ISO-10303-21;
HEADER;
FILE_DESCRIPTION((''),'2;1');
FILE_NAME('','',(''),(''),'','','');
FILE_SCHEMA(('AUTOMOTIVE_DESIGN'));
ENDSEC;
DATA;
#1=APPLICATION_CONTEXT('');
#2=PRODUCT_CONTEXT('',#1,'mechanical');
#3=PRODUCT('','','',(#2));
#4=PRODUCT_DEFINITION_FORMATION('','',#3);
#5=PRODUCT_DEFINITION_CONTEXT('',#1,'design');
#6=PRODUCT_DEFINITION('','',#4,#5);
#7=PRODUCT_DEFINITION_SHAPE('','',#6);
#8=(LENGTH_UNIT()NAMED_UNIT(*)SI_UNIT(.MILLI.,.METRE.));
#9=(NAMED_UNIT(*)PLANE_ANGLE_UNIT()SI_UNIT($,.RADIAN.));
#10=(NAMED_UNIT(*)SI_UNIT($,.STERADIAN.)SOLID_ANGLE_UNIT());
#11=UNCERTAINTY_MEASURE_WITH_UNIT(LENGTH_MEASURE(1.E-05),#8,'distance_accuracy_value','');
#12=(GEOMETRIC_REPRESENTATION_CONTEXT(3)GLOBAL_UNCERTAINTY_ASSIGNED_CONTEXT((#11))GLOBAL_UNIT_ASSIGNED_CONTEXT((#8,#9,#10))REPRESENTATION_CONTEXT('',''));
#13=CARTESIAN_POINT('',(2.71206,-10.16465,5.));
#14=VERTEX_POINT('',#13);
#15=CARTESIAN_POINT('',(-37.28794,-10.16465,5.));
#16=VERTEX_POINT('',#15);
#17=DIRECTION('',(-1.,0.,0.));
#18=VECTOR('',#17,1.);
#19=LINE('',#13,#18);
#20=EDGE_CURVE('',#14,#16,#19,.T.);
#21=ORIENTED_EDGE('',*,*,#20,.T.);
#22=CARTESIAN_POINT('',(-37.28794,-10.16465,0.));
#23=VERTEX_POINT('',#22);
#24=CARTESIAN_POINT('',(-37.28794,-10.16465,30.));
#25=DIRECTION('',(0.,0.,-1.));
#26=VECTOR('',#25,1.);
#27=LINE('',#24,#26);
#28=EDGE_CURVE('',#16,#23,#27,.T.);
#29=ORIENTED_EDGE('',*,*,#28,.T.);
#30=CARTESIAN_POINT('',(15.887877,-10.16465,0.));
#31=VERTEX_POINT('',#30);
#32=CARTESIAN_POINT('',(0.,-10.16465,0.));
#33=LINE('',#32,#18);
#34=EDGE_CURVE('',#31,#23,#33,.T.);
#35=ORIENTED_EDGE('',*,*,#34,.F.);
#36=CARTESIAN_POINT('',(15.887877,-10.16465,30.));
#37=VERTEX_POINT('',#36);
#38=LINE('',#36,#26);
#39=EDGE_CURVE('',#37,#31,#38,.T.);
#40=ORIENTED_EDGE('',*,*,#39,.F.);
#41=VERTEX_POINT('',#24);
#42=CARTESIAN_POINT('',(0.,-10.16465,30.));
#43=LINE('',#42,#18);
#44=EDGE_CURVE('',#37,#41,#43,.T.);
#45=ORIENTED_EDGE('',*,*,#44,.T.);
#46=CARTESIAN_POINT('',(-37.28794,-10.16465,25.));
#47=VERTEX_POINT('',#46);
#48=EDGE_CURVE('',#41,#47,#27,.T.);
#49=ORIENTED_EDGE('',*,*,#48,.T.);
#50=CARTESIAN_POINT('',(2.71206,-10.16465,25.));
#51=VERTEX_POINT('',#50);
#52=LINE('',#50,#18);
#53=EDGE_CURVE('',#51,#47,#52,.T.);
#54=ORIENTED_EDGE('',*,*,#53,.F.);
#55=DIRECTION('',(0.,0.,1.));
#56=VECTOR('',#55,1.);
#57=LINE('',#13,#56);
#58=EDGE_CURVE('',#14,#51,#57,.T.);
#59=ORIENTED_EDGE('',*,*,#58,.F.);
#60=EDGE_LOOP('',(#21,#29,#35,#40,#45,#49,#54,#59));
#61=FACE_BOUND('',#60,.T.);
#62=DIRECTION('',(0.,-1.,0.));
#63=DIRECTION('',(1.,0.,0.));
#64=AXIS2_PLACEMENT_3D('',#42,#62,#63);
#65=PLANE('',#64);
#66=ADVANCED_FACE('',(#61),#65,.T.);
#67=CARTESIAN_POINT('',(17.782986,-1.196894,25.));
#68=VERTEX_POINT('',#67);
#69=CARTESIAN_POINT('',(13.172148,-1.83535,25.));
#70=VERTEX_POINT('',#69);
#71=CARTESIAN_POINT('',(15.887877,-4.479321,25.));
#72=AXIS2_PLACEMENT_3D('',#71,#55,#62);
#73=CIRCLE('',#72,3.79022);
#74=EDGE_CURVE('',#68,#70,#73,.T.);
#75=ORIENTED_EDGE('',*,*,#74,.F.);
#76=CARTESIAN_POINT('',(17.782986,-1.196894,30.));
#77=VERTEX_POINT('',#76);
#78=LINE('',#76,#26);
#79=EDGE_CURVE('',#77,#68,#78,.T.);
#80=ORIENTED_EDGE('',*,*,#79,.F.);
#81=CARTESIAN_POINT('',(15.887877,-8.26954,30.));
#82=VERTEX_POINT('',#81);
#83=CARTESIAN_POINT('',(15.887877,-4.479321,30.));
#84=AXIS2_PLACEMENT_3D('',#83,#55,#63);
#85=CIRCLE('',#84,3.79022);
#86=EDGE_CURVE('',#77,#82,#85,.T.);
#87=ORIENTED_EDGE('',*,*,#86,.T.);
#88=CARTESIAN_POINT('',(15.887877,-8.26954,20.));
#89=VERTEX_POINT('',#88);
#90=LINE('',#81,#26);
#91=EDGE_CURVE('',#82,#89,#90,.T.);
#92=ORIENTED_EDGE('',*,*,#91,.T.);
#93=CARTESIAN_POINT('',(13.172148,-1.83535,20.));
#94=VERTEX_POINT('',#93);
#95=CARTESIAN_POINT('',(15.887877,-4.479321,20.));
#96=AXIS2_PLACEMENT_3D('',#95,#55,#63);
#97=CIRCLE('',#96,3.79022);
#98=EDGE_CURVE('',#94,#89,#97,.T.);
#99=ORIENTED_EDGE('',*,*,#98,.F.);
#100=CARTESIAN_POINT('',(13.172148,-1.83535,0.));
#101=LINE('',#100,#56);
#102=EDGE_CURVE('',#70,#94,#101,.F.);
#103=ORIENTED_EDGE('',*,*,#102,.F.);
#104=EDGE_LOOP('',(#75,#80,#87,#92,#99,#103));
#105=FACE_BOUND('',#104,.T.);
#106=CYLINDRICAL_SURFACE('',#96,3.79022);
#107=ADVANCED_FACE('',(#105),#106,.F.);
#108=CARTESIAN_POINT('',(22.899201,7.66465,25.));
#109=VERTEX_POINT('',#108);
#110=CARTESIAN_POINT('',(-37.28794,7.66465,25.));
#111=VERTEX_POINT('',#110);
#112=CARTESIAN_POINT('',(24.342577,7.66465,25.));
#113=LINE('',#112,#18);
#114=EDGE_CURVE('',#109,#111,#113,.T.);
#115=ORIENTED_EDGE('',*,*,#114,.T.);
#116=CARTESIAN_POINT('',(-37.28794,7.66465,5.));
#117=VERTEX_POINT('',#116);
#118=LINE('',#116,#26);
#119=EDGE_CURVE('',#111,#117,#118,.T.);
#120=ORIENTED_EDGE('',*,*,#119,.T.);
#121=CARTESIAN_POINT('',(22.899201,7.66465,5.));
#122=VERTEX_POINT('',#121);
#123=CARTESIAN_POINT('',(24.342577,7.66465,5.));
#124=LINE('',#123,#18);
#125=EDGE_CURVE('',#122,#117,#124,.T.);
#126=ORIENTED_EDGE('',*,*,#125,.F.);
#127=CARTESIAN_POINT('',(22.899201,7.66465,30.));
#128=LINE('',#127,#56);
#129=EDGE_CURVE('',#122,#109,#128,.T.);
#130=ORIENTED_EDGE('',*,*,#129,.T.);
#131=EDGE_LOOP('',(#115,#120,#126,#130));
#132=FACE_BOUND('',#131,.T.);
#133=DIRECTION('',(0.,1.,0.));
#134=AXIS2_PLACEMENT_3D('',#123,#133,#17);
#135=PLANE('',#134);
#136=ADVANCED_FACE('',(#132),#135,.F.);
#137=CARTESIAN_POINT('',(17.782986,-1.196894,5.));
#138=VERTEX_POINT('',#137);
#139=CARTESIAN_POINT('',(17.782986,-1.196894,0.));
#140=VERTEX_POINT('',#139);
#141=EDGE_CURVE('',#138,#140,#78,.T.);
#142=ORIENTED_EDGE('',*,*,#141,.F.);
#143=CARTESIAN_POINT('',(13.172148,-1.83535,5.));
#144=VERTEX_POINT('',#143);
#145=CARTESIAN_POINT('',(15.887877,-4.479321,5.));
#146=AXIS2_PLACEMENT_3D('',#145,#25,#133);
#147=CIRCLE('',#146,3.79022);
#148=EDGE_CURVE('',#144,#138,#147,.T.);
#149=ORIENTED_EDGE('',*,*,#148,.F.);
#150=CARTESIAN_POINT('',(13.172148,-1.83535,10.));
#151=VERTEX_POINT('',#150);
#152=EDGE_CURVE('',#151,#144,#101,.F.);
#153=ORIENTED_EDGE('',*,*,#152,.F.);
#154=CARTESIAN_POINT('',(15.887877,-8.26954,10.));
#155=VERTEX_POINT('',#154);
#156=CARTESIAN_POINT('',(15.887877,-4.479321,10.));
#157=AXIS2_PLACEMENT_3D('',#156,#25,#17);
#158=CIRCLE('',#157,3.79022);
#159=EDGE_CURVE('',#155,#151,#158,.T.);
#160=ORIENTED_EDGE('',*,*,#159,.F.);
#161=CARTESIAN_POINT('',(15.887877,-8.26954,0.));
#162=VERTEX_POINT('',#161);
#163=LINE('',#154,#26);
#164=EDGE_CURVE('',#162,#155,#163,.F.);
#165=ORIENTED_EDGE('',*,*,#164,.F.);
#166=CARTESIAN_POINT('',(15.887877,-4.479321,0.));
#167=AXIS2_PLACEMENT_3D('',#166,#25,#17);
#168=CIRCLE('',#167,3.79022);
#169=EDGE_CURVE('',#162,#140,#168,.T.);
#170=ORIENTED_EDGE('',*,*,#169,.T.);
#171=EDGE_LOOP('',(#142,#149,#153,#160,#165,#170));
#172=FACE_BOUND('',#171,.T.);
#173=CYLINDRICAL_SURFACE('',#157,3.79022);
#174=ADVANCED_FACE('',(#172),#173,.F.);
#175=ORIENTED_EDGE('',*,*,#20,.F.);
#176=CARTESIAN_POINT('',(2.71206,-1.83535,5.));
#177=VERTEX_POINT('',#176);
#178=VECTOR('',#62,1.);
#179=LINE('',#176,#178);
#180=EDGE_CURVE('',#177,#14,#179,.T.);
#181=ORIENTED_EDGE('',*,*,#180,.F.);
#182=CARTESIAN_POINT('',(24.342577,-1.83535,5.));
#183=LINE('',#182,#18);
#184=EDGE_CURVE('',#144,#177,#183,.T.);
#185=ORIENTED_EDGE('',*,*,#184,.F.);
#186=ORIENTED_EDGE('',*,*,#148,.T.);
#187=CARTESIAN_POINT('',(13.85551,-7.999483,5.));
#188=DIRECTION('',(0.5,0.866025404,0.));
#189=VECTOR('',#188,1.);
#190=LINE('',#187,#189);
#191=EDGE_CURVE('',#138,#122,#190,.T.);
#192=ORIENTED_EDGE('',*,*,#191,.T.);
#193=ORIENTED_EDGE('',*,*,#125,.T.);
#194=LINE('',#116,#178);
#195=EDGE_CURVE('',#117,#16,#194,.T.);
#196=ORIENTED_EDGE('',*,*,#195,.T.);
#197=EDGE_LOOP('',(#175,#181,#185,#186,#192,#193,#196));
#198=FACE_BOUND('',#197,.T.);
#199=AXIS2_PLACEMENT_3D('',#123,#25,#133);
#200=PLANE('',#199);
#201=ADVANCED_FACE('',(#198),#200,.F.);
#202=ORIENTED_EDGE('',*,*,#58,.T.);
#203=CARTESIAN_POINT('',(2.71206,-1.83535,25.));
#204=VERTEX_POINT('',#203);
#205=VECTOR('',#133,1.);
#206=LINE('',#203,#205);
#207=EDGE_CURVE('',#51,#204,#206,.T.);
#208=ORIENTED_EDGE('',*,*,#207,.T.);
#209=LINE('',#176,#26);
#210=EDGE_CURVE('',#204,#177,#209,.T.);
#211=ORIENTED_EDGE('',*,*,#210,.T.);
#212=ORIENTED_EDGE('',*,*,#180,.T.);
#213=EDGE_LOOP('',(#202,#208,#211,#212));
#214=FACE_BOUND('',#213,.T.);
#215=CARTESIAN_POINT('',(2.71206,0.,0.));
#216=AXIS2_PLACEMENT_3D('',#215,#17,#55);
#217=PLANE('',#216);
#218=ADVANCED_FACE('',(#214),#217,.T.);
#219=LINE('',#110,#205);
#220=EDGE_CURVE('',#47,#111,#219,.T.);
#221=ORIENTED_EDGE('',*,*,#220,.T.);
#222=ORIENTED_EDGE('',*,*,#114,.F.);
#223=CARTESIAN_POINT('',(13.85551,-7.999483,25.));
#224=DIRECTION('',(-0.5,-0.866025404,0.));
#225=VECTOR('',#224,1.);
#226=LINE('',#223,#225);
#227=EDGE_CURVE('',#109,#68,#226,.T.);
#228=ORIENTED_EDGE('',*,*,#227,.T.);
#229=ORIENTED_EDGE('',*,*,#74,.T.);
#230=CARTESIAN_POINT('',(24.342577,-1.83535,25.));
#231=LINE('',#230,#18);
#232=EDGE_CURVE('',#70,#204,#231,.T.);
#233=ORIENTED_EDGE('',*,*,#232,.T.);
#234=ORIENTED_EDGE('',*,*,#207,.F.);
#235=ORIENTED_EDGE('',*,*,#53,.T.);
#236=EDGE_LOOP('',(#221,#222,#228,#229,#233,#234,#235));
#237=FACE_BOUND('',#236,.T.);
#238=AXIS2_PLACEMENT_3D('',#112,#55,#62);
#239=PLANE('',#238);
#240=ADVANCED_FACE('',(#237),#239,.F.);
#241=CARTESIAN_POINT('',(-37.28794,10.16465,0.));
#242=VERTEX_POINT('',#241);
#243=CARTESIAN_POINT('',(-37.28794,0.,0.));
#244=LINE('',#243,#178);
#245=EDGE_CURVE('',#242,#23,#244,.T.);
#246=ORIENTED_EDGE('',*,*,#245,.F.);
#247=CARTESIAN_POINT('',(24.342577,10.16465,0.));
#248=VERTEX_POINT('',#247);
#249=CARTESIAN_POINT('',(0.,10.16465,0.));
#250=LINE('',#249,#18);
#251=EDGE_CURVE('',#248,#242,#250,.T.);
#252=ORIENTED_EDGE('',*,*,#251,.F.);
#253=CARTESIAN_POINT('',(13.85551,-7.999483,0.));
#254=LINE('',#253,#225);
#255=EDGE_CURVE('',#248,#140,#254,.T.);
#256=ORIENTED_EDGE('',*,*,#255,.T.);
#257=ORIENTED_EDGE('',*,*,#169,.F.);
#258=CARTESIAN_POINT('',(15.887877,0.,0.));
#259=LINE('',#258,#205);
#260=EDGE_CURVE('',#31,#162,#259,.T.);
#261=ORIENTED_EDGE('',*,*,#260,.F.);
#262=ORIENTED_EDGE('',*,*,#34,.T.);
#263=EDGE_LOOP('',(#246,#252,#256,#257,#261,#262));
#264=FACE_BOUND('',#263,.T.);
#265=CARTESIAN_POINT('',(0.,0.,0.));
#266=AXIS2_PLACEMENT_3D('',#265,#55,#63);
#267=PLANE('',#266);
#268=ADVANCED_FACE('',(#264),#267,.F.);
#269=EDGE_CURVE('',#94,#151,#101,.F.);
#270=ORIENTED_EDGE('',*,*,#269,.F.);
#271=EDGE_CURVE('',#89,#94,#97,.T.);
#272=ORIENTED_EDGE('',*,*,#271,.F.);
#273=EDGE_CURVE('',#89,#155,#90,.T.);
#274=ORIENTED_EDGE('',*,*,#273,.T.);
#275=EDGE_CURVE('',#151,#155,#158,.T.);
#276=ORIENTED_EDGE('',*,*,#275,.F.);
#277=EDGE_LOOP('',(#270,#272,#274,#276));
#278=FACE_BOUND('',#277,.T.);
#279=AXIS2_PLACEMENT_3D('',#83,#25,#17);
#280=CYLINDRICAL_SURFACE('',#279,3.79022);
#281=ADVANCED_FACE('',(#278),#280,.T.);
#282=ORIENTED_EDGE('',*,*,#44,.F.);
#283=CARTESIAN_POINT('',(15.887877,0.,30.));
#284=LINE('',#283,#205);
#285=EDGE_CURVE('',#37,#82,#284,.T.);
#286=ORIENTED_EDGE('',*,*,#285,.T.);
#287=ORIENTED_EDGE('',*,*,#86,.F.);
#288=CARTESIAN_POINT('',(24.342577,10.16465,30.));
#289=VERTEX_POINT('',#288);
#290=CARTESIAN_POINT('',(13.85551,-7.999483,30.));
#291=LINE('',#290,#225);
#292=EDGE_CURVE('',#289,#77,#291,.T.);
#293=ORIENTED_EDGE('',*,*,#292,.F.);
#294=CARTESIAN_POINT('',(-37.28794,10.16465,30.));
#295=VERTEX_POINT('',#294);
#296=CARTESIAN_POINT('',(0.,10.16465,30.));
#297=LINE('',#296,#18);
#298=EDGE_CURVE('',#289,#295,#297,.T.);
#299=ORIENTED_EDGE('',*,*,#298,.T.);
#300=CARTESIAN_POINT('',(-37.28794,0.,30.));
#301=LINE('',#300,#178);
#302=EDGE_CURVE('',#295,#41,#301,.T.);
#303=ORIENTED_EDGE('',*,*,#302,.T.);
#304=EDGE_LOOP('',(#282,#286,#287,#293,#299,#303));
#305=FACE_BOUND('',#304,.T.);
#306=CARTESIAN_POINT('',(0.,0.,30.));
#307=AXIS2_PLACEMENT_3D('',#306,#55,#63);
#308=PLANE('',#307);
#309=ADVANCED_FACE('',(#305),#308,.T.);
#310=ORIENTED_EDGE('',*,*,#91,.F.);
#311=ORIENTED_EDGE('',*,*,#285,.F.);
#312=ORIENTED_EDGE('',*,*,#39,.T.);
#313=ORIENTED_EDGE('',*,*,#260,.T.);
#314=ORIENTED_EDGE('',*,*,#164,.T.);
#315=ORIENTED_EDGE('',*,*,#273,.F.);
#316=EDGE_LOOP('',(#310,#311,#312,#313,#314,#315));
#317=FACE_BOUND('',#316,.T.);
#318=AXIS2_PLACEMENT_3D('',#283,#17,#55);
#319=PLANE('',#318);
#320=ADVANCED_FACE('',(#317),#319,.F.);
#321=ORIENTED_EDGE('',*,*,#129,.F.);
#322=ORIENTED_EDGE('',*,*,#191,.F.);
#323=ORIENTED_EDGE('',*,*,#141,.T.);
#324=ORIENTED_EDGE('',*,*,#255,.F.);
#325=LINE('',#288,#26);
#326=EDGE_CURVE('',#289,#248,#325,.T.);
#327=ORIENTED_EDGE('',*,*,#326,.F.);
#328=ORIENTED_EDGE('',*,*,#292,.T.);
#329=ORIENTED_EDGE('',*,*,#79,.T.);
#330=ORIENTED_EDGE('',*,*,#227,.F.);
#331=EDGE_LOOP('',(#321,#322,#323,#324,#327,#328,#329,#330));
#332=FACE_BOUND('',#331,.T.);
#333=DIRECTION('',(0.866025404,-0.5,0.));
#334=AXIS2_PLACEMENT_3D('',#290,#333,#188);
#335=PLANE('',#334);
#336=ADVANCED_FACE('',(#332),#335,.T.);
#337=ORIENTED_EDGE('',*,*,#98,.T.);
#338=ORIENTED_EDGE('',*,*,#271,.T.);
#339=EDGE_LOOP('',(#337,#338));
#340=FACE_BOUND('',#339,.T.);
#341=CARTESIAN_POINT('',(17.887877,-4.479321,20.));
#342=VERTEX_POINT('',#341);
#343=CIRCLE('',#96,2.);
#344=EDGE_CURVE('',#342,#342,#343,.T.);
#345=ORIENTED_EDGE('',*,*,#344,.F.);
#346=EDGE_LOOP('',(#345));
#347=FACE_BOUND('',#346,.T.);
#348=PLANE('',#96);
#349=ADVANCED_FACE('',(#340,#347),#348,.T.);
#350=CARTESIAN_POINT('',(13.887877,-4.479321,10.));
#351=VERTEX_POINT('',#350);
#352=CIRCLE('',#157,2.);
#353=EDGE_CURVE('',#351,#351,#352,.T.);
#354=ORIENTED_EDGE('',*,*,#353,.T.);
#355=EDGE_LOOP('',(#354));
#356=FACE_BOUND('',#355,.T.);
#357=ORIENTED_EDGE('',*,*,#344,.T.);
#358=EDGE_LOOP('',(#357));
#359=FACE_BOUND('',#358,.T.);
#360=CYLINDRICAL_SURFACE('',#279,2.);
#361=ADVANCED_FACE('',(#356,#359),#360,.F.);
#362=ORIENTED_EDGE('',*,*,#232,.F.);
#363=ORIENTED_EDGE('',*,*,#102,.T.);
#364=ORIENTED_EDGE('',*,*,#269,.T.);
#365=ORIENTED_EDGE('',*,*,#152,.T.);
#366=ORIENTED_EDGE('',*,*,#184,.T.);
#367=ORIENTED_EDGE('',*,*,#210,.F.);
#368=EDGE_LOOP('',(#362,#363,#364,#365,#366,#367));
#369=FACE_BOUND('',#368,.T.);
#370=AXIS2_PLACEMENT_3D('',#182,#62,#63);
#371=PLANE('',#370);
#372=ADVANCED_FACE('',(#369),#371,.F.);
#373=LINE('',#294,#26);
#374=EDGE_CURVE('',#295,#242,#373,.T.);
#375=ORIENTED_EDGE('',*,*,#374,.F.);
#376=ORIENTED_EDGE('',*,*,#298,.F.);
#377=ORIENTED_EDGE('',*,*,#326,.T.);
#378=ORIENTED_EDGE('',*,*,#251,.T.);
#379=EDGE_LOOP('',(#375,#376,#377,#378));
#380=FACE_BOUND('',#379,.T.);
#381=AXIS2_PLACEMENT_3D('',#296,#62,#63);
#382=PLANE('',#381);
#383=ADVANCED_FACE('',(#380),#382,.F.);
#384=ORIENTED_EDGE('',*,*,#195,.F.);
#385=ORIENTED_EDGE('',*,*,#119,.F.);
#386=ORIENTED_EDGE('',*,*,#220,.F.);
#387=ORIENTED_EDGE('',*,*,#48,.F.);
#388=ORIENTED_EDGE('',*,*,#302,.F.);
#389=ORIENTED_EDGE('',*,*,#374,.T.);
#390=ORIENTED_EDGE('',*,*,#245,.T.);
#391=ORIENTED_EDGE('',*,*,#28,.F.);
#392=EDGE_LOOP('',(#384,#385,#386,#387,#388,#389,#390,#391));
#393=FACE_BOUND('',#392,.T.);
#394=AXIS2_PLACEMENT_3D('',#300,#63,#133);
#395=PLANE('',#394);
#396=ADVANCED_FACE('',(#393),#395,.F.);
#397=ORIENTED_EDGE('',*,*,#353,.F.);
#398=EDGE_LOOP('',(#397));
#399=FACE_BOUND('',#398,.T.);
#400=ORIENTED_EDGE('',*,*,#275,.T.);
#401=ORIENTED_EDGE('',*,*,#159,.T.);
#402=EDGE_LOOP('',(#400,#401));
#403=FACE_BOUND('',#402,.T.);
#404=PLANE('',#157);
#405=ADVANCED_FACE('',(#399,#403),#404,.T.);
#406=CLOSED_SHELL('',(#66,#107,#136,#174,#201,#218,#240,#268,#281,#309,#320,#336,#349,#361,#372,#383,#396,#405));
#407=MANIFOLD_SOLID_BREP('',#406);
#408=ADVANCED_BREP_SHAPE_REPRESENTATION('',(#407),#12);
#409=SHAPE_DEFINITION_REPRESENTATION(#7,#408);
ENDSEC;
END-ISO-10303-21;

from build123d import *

# Parameters (mm, degrees)
SKETCH_1_R          = 2
EXTRUDE_1_DEPTH     = 30
SKETCH_2_W          = 20
SKETCH_2_H          = 9.5
CUT_EXTRUDE_1_DEPTH = 70.293872581
EXTRUDE_START       = -30
SKETCH_3_R          = 3.79021957
SKETCH_3_R_2        = 2
EXTRUDE_2_DEPTH     = 30
CUT_EXTRUDE_START   = -10
SKETCH_4_R          = 3.79021957
SKETCH_4_R_2        = 2
CUT_EXTRUDE_2_DEPTH = 10
SKETCH_5_R          = 3.79021957
SKETCH_5_R_2        = 2
CUT_EXTRUDE_3_DEPTH = 10
SKETCH_6_W          = 20
SKETCH_6_H          = 8.329300022
CUT_EXTRUDE_4_DEPTH = 40


with BuildPart() as part:
    # 스케치1 → 보스-돌출1 (new body)
    # profile 1 of 6: a face of its own
    with BuildSketch(Plane.XY):
        with BuildLine():
            Line((-13.8475309, -1.196894222), (-7.287940278, 10.164650011))
            Line((-7.287940278, 10.164650011), (-37.287940278, 10.164650011))
            Line((-37.287940278, 10.164650011), (-37.287940278, -10.164650011))
            Line((-37.287940278, -10.164650011), (-15.742640685, -10.164650011))
            Line((-15.742640685, -10.164650011), (-15.742640685, -8.269540226))
            ThreePointArc((-15.742640685, -8.269540226), (-19.403711655, -3.498339646), (-13.8475309, -1.196894222))
        make_face()
    # profile 2 of 6: a face of its own
    with BuildSketch(Plane.XY):
        with BuildLine():
            ThreePointArc((-15.742640685, -8.269540226), (-12.081569715, -5.460301666), (-13.8475309, -1.196894222))
            ThreePointArc((-13.8475309, -1.196894222), (-19.403711655, -3.498339646), (-15.742640685, -8.269540226))
        make_face()
        with Locations((-15.742640685, -4.479320656)):
            Circle(SKETCH_1_R, mode=Mode.SUBTRACT)
    # profile 3 of 6: a face of its own
    with BuildSketch(Plane.XY):
        with Locations((-15.742640685, -4.479320656)):
            Circle(SKETCH_1_R)
    # profile 4 of 6: a face of its own
    with BuildSketch(Plane.XY):
        with BuildLine():
            Line((-7.287940278, -10.164650011), (-7.287940278, 10.164650011))
            Line((-7.287940278, 10.164650011), (-13.8475309, -1.196894222))
            ThreePointArc((-13.8475309, -1.196894222), (-12.081569715, -5.460301666), (-15.742640685, -8.269540226))
            Line((-15.742640685, -8.269540226), (-15.742640685, -10.164650011))
            Line((-15.742640685, -10.164650011), (-7.287940278, -10.164650011))
        make_face()
    # profile 5 of 6: a face of its own
    with BuildSketch(Plane.XY):
        with BuildLine():
            Line((7.433176247, 10.164650011), (-7.287940278, 10.164650011))
            Line((-7.287940278, 10.164650011), (-7.287940278, -10.164650011))
            Line((-7.287940278, -10.164650011), (15.887876654, -10.164650011))
            Line((15.887876654, -10.164650011), (15.887876654, -8.269540226))
            ThreePointArc((15.887876654, -8.269540226), (19.548947624, -5.460301666), (17.782986439, -1.196894222))
            ThreePointArc((17.782986439, -1.196894222), (15.887876654, -0.689101086), (13.992766869, -1.196894222))
            Line((13.992766869, -1.196894222), (7.433176247, 10.164650011))
        make_face()
        with Locations((15.887876654, -4.479320656)):
            Circle(SKETCH_1_R, mode=Mode.SUBTRACT)
    # profile 6 of 6: a face of its own
    with BuildSketch(Plane.XY):
        with BuildLine():
            Line((24.342577061, 10.164650011), (7.433176247, 10.164650011))
            Line((7.433176247, 10.164650011), (13.992766869, -1.196894222))
            ThreePointArc((13.992766869, -1.196894222), (15.887876654, -0.689101086), (17.782986439, -1.196894222))
            Line((17.782986439, -1.196894222), (24.342577061, 10.164650011))
        make_face()
    extrude(amount=EXTRUDE_1_DEPTH)

    # 스케치2 → 컷-돌출1 (cut, through all)
    with BuildSketch(Plane.ZY.offset(37.287940278)):
        with Locations((15, 2.914650011)):
            Rectangle(SKETCH_2_W, SKETCH_2_H)
    extrude(amount=-CUT_EXTRUDE_1_DEPTH, mode=Mode.SUBTRACT)

    # 스케치3 → 보스-돌출2 (add)
    with BuildSketch(Plane.XY.offset(30).offset(EXTRUDE_START)):
        with Locations((15.887876654, -4.479320656)):
            Circle(SKETCH_3_R)
        with Locations((15.887876654, -4.479320656)):
            Circle(SKETCH_3_R_2, mode=Mode.SUBTRACT)
    extrude(amount=EXTRUDE_2_DEPTH)

    # 스케치4 → 컷-돌출2 (cut)
    with BuildSketch(Plane.XY.offset(30).offset(CUT_EXTRUDE_START)):
        with Locations((15.887876654, -4.479320656)):
            Circle(SKETCH_4_R)
        with Locations((15.887876654, -4.479320656)):
            Circle(SKETCH_4_R_2, mode=Mode.SUBTRACT)
    extrude(amount=CUT_EXTRUDE_2_DEPTH, mode=Mode.SUBTRACT)

    # 스케치5 → 컷-돌출3 (cut)
    with BuildSketch(Plane(origin=(0, 0, 0), x_dir=(-1, 0, 0), z_dir=(0, 0, -1))):
        with Locations((-15.887876654, -4.479320656)):
            Circle(SKETCH_5_R)
        with Locations((-15.887876654, -4.479320656)):
            Circle(SKETCH_5_R_2, mode=Mode.SUBTRACT)
    extrude(amount=-CUT_EXTRUDE_3_DEPTH, mode=Mode.SUBTRACT)

    # 스케치6 → 컷-돌출4 (cut)
    with BuildSketch(Plane.ZY.offset(37.287940278)):
        with Locations((15, -6)):
            Rectangle(SKETCH_6_W, SKETCH_6_H)
    extrude(amount=-CUT_EXTRUDE_4_DEPTH, mode=Mode.SUBTRACT)


solid = part.part
